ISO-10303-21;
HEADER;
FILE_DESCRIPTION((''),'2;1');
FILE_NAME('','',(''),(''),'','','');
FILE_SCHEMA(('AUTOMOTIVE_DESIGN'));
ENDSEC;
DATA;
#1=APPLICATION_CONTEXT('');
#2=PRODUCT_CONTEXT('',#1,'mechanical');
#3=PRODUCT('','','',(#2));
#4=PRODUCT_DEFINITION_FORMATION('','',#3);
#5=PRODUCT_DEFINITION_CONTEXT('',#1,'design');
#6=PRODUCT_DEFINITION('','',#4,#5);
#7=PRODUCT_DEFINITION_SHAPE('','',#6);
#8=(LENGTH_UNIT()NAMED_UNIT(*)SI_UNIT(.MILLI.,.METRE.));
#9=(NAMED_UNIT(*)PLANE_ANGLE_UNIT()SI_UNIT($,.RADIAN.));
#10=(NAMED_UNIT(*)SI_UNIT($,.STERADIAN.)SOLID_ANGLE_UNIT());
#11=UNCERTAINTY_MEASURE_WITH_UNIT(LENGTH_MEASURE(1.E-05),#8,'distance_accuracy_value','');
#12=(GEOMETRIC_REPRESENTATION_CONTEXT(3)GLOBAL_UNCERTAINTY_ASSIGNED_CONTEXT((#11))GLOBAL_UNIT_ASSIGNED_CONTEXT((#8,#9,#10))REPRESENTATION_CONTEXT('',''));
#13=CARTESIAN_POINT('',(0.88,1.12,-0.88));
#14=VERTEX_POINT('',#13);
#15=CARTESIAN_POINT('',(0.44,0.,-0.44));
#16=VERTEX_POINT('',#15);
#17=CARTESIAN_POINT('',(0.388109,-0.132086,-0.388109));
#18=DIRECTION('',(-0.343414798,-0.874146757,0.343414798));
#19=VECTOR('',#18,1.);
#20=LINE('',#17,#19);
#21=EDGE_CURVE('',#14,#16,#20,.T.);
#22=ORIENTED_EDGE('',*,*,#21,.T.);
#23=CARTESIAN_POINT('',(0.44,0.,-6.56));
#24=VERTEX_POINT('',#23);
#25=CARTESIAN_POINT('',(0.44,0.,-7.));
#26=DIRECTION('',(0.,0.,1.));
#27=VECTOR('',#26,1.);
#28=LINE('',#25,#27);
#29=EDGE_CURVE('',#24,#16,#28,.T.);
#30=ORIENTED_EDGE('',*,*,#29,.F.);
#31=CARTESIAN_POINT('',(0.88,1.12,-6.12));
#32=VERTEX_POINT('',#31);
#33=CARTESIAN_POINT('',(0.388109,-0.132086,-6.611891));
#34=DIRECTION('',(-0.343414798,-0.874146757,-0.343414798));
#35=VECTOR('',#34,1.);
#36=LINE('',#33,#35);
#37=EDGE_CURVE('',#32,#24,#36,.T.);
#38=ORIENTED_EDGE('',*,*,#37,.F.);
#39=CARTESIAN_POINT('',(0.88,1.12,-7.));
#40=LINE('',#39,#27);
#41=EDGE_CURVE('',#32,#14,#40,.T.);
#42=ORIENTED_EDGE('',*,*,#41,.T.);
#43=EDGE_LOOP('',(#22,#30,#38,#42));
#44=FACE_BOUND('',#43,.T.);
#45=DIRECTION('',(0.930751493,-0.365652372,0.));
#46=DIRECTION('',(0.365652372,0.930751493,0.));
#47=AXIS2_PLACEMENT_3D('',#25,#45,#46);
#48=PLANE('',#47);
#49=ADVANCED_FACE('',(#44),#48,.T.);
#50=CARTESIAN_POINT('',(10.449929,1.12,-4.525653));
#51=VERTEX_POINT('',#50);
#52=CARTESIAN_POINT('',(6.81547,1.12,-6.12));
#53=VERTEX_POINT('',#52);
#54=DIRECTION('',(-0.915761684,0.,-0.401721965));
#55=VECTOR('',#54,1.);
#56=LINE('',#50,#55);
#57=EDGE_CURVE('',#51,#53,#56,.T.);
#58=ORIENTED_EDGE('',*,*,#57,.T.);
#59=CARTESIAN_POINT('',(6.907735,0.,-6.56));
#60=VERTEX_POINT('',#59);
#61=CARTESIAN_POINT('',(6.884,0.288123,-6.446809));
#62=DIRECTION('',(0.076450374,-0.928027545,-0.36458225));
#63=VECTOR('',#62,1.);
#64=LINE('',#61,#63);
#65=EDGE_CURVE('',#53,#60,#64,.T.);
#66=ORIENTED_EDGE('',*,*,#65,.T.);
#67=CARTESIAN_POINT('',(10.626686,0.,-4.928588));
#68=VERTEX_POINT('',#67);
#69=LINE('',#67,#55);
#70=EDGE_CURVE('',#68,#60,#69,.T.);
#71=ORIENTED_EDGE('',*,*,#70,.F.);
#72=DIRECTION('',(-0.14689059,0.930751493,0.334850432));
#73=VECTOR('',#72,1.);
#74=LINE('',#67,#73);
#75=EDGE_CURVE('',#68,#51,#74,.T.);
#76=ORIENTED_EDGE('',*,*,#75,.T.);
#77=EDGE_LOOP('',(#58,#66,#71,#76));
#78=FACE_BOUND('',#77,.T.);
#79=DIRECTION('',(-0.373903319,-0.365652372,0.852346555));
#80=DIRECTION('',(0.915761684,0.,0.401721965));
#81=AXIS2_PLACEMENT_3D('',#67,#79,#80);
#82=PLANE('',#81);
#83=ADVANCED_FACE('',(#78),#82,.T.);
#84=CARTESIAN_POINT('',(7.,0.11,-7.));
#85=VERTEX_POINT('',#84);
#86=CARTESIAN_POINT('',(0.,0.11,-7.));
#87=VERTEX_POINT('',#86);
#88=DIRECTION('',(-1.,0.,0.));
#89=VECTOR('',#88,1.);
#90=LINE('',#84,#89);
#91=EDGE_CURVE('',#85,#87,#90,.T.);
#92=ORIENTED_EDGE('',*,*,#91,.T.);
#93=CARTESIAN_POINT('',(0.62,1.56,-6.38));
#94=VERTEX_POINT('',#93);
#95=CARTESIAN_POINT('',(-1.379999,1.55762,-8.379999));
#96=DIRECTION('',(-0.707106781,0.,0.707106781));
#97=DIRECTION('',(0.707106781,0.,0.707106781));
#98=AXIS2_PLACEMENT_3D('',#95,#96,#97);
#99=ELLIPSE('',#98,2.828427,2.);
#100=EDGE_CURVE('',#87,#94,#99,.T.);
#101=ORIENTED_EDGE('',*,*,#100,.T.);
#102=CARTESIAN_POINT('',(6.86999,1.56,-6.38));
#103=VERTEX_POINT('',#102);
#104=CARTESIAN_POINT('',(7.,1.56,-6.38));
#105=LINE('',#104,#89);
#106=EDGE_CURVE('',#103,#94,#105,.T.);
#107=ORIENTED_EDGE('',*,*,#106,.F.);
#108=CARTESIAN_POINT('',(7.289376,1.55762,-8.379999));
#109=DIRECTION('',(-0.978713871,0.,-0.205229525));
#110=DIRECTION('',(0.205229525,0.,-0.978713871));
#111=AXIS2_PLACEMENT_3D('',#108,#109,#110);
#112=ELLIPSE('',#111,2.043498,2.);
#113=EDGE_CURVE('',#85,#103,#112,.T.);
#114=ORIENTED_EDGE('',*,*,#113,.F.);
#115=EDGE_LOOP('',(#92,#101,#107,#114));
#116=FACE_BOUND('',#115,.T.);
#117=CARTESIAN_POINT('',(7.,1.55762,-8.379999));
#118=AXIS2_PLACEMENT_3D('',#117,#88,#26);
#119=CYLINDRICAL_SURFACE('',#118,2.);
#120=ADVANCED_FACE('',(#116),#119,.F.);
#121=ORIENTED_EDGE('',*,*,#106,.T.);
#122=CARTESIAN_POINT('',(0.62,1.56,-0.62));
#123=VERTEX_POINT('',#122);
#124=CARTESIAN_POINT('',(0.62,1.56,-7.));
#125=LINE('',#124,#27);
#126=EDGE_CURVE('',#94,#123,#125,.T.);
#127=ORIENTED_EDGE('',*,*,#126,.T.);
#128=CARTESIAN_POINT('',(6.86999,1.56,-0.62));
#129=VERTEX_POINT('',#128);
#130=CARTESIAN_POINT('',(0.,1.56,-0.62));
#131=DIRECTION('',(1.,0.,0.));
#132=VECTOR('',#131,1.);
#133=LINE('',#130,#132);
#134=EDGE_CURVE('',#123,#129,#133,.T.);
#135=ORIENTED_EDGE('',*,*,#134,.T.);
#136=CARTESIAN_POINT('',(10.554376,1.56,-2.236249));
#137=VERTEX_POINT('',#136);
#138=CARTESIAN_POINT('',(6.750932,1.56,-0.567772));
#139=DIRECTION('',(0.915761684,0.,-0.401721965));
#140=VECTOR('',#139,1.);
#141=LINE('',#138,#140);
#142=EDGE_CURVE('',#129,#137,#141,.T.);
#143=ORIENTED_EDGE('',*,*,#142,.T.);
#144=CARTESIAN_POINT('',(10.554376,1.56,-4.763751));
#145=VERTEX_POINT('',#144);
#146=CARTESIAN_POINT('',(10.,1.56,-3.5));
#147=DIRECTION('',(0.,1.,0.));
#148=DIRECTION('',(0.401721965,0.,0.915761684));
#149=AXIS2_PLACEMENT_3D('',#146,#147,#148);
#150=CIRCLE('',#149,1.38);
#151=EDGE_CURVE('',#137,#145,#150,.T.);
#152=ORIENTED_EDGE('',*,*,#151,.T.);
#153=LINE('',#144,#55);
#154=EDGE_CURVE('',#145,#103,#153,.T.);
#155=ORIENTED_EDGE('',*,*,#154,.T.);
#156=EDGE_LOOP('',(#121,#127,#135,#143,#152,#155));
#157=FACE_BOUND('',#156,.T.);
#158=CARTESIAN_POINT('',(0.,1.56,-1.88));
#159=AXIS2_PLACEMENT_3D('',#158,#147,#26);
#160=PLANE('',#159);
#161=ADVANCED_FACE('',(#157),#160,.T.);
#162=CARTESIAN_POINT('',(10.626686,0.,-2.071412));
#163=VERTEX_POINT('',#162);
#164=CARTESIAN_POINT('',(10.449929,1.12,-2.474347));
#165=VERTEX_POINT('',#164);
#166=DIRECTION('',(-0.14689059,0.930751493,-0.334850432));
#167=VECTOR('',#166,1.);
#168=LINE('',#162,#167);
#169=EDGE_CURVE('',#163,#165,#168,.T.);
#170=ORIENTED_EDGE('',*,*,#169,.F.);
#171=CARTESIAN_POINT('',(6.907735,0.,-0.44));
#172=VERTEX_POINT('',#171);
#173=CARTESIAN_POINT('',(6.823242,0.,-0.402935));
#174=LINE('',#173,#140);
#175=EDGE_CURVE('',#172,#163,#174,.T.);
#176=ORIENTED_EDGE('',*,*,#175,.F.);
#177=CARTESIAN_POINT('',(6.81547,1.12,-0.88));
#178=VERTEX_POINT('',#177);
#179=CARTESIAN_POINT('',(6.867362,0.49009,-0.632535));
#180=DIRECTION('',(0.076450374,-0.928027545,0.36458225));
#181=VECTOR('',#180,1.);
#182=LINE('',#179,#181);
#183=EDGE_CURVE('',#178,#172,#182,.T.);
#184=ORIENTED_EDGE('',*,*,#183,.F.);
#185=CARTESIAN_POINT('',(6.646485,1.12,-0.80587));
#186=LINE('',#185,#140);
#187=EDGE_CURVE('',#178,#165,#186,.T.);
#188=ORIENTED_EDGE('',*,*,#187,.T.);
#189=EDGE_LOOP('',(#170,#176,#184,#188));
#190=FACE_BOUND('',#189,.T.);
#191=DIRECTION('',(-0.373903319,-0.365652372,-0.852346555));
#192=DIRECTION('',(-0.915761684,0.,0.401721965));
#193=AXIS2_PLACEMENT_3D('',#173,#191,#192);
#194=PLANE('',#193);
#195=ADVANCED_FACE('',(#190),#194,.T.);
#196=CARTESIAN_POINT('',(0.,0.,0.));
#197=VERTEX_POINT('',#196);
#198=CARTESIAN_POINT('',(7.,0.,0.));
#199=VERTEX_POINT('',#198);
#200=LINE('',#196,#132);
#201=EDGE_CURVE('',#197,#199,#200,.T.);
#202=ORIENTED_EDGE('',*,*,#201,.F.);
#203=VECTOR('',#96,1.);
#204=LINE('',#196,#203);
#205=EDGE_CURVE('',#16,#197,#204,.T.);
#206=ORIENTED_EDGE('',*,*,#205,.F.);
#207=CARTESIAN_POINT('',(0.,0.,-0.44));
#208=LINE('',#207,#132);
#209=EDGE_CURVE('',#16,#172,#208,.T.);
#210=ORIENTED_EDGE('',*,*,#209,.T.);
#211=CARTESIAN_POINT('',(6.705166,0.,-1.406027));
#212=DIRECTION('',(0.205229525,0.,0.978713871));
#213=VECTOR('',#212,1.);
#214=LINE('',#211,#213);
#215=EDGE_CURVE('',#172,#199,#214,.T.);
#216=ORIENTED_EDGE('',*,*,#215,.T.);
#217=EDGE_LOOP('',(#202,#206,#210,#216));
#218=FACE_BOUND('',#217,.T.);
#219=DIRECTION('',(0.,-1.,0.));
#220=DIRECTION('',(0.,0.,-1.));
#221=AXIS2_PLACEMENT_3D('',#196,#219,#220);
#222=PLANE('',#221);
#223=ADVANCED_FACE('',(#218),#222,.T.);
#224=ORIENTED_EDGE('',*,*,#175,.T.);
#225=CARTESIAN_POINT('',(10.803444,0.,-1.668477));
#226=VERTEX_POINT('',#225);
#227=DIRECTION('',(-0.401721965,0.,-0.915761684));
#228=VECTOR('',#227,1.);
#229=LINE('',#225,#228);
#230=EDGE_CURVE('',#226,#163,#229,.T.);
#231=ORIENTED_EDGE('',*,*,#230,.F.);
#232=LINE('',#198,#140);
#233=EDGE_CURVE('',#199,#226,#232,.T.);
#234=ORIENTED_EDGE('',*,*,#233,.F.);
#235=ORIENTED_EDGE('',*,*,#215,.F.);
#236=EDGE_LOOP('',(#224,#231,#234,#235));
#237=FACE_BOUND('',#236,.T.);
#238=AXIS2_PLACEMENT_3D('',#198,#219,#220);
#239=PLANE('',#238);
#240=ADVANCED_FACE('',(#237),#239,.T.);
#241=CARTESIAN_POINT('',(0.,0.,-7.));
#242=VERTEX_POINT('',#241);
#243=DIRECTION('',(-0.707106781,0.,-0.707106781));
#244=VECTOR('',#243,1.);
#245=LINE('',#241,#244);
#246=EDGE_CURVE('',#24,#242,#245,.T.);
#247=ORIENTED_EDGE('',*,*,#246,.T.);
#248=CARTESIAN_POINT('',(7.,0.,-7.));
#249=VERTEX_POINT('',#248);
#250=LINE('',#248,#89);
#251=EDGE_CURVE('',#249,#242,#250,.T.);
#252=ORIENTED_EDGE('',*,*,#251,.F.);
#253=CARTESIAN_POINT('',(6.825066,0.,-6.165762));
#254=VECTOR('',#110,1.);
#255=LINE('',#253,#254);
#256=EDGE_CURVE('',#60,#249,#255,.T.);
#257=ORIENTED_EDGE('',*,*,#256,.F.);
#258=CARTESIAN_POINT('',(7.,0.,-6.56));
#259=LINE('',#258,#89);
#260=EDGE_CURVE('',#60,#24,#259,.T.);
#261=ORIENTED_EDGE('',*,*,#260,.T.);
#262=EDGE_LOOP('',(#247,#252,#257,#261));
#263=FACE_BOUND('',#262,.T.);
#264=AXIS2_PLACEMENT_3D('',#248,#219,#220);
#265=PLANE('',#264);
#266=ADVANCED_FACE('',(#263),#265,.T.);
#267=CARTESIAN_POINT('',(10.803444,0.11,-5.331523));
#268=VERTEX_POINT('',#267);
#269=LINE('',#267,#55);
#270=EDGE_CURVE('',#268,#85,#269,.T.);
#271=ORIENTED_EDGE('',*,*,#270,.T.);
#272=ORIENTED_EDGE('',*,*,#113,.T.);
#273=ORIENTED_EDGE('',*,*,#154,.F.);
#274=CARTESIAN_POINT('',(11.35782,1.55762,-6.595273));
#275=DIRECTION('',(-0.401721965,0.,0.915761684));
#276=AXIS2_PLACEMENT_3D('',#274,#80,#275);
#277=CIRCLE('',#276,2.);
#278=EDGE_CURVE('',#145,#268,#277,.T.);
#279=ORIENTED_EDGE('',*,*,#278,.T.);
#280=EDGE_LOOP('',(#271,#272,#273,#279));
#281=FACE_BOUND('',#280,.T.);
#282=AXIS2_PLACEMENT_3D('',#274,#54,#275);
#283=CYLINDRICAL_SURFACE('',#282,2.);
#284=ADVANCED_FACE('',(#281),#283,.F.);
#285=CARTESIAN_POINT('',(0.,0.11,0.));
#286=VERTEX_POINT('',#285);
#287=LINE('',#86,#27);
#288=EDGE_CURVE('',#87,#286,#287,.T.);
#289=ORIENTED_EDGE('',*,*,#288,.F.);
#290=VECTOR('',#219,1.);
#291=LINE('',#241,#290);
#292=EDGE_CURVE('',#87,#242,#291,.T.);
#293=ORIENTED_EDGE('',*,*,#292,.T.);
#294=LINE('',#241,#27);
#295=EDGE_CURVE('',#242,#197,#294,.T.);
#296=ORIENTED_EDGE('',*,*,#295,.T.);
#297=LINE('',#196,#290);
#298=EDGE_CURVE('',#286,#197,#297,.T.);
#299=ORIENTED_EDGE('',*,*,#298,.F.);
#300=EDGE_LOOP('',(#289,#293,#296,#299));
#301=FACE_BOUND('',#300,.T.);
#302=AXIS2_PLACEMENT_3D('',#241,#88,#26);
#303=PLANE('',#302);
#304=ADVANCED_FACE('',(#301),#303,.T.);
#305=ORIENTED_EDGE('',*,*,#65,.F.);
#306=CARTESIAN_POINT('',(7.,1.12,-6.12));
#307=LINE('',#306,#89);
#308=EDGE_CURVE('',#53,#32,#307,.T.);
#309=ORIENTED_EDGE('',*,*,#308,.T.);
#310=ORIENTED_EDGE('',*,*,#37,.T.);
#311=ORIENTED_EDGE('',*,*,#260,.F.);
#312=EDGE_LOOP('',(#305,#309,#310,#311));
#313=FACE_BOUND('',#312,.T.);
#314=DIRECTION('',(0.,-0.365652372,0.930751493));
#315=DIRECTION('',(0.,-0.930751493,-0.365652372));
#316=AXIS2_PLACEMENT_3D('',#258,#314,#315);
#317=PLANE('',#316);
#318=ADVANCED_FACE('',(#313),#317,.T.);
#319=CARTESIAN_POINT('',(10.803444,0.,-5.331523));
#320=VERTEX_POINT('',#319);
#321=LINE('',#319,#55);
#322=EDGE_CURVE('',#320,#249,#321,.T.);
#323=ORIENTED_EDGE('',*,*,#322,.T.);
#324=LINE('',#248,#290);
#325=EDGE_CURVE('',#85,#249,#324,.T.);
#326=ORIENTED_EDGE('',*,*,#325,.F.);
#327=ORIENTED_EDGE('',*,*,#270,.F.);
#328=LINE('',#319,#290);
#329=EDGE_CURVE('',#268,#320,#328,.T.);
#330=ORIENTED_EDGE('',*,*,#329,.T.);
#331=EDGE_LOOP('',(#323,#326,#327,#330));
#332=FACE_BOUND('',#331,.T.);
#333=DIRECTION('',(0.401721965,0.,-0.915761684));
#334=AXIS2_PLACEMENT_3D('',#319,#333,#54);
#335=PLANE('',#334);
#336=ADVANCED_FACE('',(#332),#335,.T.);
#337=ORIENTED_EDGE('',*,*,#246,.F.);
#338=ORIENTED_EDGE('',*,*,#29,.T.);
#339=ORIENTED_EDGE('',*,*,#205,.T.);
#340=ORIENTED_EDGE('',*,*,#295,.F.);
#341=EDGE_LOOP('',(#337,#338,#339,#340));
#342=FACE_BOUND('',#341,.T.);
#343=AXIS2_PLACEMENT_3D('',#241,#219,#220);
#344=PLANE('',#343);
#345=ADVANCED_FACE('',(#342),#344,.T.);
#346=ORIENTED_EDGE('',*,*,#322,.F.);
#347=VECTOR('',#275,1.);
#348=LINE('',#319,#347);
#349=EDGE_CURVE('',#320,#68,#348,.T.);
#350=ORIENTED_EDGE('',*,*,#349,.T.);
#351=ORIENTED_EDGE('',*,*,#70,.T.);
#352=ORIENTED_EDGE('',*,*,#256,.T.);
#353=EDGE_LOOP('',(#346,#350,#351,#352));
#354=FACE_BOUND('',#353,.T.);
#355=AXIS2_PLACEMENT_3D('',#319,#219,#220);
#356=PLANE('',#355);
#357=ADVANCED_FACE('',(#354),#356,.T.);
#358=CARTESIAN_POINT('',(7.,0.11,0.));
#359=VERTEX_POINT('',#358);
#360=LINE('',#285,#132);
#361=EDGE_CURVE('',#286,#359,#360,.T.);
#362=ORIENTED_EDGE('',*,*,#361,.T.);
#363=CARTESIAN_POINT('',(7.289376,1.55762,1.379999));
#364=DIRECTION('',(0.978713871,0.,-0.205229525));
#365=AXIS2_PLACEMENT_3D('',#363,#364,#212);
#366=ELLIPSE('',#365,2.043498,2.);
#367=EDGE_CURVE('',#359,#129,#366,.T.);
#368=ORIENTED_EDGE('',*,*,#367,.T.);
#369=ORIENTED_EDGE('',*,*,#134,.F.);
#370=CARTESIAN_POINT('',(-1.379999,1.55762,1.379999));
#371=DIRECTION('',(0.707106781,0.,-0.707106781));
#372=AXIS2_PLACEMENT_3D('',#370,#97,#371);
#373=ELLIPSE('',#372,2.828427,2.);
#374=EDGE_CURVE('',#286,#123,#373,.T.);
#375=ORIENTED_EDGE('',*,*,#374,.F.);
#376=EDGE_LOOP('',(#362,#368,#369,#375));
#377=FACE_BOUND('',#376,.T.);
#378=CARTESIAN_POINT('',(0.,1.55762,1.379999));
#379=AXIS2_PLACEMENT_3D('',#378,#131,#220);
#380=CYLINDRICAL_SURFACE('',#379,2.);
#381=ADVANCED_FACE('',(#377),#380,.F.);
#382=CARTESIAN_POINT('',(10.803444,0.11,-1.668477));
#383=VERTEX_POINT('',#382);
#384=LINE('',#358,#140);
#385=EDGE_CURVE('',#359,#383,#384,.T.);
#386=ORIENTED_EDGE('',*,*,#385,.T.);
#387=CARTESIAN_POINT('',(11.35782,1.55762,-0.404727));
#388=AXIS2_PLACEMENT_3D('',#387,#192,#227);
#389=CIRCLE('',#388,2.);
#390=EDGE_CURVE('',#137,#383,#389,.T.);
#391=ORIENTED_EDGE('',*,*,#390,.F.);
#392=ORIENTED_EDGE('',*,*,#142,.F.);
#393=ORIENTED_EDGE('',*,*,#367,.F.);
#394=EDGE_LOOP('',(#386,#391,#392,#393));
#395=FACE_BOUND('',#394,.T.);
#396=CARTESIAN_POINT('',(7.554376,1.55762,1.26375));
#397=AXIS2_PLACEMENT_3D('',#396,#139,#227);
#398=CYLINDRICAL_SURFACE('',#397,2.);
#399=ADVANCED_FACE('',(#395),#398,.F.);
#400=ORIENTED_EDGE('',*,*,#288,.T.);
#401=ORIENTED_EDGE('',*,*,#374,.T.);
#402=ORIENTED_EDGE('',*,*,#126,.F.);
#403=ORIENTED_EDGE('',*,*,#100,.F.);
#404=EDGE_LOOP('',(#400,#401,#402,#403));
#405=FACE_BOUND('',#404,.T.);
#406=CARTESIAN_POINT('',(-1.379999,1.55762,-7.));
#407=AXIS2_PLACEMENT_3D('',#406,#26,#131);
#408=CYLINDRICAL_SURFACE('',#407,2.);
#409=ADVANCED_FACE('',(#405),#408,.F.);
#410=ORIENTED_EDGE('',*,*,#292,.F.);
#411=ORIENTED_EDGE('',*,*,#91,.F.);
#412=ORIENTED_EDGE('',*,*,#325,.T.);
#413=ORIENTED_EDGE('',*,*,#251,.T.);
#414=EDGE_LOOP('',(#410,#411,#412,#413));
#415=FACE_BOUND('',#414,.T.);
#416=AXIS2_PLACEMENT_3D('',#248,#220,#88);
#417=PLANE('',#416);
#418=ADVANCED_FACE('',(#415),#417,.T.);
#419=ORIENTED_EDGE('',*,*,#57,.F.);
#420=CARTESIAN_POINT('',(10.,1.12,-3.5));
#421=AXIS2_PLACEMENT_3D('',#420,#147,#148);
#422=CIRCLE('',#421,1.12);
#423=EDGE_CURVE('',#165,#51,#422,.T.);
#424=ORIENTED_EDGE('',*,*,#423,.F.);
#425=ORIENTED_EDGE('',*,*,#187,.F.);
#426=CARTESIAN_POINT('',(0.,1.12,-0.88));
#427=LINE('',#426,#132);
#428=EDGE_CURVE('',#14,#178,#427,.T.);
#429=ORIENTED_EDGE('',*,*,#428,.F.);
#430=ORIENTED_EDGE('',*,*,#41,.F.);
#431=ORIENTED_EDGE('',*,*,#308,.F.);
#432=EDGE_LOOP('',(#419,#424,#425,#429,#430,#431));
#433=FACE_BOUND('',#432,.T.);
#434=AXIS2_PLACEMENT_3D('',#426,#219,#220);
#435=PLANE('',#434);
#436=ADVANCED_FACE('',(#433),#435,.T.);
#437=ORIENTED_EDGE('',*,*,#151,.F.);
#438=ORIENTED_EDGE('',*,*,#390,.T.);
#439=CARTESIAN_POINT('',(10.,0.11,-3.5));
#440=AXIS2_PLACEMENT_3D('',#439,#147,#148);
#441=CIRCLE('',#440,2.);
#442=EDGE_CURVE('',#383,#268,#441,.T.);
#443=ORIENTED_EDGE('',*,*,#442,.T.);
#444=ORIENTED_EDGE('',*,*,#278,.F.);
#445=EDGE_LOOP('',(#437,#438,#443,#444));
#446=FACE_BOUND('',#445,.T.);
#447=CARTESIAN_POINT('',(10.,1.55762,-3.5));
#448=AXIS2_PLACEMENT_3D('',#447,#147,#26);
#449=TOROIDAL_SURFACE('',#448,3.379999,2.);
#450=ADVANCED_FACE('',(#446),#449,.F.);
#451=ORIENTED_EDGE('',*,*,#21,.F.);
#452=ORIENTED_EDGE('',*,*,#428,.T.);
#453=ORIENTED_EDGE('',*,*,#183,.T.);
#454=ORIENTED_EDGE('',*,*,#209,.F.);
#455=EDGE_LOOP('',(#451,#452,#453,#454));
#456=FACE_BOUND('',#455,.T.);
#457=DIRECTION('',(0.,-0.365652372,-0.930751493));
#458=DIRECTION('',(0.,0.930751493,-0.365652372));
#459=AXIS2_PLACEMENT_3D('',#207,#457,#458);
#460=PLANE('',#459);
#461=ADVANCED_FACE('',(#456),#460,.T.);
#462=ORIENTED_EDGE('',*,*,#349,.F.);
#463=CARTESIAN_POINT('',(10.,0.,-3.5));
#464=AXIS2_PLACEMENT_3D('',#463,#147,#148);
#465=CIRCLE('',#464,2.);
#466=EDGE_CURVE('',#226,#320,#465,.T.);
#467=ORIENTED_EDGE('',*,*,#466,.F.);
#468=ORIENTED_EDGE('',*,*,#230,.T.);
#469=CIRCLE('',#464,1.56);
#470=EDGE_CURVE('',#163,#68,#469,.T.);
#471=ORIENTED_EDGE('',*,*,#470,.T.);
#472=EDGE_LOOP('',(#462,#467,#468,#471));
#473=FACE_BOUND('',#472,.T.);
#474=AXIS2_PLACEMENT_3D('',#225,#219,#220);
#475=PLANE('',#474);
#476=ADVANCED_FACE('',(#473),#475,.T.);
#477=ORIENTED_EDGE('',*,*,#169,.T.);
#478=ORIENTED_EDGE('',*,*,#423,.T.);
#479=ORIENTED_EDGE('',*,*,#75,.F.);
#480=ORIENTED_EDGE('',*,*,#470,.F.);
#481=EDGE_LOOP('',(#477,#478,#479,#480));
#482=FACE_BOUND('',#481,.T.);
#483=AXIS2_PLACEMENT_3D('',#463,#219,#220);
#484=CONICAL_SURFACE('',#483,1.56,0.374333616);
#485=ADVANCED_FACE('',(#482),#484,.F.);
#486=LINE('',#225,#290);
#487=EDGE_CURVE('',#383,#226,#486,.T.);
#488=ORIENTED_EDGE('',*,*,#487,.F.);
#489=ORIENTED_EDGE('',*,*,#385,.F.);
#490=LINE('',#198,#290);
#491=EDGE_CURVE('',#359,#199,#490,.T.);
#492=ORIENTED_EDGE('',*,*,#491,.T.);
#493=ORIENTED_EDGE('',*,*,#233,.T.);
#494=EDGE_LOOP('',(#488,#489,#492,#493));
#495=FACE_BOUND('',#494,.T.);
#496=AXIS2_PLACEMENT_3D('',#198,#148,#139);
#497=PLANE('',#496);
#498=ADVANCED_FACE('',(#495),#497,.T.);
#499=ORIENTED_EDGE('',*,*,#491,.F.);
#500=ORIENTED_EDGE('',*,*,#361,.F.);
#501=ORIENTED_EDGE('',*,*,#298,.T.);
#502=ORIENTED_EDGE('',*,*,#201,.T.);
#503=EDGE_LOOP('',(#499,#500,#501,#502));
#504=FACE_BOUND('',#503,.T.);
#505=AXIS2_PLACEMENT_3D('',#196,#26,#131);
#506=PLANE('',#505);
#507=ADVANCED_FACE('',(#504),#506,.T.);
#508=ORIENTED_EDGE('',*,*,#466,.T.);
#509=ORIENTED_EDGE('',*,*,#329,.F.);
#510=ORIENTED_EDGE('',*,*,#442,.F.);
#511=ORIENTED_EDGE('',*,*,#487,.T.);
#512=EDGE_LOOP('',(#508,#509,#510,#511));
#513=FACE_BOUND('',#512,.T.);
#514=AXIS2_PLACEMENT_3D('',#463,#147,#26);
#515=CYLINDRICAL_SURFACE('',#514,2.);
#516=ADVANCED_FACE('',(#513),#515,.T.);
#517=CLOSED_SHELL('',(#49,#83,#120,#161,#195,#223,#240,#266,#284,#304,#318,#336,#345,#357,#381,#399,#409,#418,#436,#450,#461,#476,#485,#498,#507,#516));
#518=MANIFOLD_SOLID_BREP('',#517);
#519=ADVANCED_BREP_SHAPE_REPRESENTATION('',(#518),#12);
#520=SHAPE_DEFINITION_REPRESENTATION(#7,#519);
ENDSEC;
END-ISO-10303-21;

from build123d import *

# Parameters (mm, degrees)
BOSS_EXTRUDE1_DEPTH = 0.44


with BuildPart() as part:
    # Sweep2: sweep along a path in Sketch1
    with BuildLine(Plane(origin=(0, 0, 0), x_dir=(1, 0, 0), z_dir=(0, 1, 0))) as sweep2_path:
        Line((7, 7), (10.80344393, 5.331523369))
        ThreePointArc((10.80344393, 5.331523369), (12, 3.5), (10.80344393, 1.668476631))
        Line((10.80344393, 1.668476631), (7, 0))
        Line((7, 0), (0, 0))
        Line((0, 0), (0, 7))
        Line((0, 7), (7, 7))
    # Sketch2 → Sweep2 (sweep)
    with BuildSketch(Plane(origin=(0, 0, 0), x_dir=(0, 0, -1), z_dir=(1, 0, 0))):
        with BuildLine():
            Line((0, 0), (0, 0.11))
            ThreePointArc((0, 0.11), (0.458946824, 0.771312392), (0.62, 1.56))
            Line((0.62, 1.56), (1.88, 1.56))
            Line((1.88, 1.56), (1.88, 1.12))
            Line((1.88, 1.12), (0.88, 1.12))
            Line((0.88, 1.12), (0.44, 0))
            Line((0.44, 0), (0, 0))
        make_face()
    sweep(path=sweep2_path.line, transition=Transition.RIGHT)

    # Sketch9 → Boss-Extrude1 (add)
    with BuildSketch(Plane(origin=(0, 1.56, 0), x_dir=(1, 0, 0), z_dir=(0, 1, 0))):
        with BuildLine():
            Line((6.605777013, 1.88), (10.048206636, 3.390108598))
            ThreePointArc((10.048206636, 3.390108598), (10.12, 3.5), (10.048206636, 3.609891402))
            Line((10.048206636, 3.609891402), (6.605777013, 5.12))
            Line((6.605777013, 5.12), (1.88, 5.12))
            Line((1.88, 5.12), (1.88, 1.88))
            Line((1.88, 1.88), (6.605777013, 1.88))
        make_face()
    extrude(amount=-BOSS_EXTRUDE1_DEPTH)


solid = part.part
